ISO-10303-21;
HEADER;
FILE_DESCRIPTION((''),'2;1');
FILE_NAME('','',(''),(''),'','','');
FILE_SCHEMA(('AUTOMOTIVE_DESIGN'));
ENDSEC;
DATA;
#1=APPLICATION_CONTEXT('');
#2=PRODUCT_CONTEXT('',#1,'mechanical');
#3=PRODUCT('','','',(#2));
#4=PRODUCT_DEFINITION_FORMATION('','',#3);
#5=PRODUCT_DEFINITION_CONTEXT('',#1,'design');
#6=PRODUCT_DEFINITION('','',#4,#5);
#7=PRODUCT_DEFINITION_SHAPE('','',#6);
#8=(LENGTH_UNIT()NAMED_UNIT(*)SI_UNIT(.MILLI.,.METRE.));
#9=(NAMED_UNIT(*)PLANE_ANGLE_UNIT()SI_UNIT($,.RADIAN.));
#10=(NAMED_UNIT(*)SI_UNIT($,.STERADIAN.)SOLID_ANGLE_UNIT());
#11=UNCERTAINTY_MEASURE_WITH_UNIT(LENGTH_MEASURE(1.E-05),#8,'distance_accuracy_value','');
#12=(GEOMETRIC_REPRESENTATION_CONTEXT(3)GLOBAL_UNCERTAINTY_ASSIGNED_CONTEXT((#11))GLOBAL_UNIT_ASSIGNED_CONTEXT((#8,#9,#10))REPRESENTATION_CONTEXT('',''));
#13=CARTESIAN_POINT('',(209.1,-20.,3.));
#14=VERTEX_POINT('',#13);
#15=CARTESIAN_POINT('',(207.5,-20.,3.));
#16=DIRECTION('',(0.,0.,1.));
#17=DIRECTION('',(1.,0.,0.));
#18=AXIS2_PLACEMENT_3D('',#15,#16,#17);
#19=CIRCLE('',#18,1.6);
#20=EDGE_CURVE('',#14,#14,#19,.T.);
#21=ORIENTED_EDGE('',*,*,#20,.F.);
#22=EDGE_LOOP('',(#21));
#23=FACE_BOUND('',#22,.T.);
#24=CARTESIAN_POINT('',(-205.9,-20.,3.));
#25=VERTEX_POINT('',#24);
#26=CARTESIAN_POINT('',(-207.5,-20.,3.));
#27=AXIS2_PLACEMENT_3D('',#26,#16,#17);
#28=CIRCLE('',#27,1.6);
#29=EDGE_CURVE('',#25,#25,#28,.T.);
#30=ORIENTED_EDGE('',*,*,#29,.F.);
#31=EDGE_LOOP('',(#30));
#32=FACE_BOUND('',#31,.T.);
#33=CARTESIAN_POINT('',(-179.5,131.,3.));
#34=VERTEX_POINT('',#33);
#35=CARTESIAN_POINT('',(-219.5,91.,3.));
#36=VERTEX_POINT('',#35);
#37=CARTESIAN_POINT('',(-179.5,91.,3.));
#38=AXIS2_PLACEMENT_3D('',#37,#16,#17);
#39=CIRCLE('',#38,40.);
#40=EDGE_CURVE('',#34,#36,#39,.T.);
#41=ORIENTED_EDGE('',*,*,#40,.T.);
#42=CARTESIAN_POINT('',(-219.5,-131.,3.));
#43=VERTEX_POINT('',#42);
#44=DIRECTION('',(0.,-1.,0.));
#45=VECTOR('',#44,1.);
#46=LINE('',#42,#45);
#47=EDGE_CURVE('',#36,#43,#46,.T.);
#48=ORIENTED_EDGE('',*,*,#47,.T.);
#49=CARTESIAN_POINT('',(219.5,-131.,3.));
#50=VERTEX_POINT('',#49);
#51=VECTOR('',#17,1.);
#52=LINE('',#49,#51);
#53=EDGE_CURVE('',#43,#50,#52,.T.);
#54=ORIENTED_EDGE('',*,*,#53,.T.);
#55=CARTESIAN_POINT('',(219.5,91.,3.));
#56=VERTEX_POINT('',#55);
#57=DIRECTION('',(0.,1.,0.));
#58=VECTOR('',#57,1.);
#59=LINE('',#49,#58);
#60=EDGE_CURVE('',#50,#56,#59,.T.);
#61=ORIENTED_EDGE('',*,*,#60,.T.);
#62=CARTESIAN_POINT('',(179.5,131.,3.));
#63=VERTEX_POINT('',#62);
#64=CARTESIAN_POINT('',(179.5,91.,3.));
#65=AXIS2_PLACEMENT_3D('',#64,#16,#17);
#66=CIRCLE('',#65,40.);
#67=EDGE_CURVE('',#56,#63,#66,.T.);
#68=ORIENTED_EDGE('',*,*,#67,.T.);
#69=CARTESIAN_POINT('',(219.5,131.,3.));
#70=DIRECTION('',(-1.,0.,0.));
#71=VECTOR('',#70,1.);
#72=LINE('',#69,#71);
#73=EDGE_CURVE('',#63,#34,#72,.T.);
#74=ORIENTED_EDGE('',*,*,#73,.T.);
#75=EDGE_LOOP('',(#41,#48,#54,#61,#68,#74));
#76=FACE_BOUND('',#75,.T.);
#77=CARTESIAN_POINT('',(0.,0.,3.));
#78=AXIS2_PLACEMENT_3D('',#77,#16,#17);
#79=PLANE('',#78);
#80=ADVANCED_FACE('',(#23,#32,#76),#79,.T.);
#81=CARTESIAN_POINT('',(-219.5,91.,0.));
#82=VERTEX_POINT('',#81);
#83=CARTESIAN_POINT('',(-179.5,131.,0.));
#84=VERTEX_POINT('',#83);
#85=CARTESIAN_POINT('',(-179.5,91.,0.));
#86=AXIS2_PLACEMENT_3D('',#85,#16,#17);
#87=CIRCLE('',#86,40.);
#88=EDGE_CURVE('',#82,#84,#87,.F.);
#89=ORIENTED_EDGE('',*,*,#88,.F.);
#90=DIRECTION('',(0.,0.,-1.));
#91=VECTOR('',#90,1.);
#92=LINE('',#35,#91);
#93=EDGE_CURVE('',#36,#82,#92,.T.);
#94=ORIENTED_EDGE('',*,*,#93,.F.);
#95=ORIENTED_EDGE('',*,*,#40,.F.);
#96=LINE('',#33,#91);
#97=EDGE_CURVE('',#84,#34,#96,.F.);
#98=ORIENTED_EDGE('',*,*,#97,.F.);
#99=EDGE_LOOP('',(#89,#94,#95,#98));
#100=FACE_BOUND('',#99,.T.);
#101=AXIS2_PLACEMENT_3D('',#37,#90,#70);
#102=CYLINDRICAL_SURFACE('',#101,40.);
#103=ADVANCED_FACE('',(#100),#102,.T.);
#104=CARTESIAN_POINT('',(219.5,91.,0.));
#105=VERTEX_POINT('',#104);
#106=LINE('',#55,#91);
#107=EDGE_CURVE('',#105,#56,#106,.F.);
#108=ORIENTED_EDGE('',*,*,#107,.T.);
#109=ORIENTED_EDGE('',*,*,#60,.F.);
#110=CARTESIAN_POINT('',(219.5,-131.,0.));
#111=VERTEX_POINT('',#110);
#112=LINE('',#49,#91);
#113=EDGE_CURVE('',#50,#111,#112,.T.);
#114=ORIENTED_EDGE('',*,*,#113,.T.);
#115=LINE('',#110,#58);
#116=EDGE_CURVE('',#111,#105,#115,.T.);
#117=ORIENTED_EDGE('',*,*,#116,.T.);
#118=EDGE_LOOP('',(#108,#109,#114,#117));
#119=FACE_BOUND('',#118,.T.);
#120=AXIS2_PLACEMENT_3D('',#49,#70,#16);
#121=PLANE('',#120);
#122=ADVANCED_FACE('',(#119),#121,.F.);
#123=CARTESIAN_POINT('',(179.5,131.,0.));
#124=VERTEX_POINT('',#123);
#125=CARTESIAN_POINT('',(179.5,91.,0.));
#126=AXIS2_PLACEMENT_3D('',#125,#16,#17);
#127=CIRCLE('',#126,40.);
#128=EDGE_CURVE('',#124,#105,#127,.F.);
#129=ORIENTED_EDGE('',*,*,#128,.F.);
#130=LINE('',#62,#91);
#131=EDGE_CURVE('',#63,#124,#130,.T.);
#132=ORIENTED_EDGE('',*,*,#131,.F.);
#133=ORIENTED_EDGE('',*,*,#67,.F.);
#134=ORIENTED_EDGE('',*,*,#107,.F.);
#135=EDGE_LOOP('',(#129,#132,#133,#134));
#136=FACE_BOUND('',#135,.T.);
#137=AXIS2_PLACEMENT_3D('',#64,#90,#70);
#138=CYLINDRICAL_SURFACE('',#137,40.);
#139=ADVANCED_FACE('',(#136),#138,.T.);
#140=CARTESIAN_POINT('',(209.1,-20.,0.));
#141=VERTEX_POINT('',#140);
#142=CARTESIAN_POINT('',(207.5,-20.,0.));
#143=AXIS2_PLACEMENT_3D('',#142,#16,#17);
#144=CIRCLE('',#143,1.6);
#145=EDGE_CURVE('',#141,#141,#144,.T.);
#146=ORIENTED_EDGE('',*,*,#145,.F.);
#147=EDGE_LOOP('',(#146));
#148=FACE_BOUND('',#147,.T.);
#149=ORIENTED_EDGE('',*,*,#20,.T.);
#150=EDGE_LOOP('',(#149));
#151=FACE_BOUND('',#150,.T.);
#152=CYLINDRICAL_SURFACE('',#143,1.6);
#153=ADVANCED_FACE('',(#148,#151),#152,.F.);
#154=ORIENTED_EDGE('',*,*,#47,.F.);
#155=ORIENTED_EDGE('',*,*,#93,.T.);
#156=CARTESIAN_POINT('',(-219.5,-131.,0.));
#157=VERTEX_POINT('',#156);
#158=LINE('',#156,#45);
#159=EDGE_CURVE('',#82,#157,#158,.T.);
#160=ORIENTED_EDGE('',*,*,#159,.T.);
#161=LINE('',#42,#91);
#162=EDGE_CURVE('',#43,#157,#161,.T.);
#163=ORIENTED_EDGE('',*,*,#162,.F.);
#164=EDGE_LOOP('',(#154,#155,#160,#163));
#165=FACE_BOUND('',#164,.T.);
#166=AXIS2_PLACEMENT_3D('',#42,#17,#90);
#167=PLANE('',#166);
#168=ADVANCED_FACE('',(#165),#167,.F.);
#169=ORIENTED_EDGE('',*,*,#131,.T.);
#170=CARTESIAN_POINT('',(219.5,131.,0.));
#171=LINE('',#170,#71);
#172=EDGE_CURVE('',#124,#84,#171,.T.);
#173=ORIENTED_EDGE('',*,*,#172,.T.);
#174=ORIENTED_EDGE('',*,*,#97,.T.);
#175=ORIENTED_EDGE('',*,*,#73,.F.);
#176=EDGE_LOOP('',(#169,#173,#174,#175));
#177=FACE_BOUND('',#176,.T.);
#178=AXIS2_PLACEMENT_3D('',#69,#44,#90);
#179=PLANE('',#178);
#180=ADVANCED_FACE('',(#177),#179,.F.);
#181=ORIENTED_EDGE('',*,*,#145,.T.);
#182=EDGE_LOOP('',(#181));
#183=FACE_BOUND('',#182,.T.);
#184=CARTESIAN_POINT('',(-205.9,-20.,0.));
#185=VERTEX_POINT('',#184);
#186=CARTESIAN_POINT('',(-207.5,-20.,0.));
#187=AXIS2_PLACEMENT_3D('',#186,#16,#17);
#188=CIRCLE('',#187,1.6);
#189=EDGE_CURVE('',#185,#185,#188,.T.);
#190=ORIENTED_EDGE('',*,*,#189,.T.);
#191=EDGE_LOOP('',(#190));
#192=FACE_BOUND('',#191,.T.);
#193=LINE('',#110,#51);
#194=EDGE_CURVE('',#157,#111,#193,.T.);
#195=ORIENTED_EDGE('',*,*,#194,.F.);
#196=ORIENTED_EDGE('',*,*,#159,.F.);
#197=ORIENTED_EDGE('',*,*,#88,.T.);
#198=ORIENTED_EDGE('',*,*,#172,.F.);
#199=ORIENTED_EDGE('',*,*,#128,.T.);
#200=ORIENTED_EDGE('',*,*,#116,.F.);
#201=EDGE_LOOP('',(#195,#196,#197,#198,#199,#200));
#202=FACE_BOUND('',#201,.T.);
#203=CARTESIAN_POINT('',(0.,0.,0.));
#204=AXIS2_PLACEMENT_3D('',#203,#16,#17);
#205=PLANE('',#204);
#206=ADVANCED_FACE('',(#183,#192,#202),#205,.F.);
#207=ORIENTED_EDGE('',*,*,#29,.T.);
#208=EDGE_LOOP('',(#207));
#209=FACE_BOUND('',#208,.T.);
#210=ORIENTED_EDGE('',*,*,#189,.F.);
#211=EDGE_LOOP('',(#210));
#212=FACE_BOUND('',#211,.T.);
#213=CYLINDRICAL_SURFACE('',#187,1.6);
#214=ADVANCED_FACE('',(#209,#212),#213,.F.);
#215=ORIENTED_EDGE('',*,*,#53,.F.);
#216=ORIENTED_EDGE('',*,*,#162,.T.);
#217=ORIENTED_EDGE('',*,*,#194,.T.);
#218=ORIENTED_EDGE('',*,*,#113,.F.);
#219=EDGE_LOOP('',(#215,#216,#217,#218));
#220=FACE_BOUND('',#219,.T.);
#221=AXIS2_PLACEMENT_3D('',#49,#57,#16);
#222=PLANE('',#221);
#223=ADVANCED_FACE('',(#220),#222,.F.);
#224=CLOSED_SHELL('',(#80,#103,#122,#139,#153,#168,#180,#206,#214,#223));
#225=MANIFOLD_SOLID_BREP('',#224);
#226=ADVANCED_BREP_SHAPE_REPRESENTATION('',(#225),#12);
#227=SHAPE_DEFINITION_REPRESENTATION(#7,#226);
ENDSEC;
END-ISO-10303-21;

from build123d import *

# Parameters (mm, degrees)
ESQUISSE1_W        = 439
ESQUISSE1_H        = 262
BOSS_EXTRU_1_DEPTH = 3
FILLET1_R          = 40
SKETCH1_R          = 1.6
CUT_EXTRUDE1_DEPTH = 256.636949598
SKETCH2_R          = 1.6
CUT_EXTRUDE2_DEPTH = 256.636949598


with BuildPart() as part:
    # Esquisse1 → Boss.-Extru.1 (new body)
    with BuildSketch(Plane.XY):
        Rectangle(ESQUISSE1_W, ESQUISSE1_H)
    extrude(amount=BOSS_EXTRU_1_DEPTH)

    # Fillet1
    fillet1_edges = [part.edges().sort_by_distance(p)[0] for p in [
        (-219.5, 131, 1.5),
        (219.5, 131, 1.5),
    ]]
    fillet(fillet1_edges, radius=FILLET1_R)

    # Sketch1 → Cut-Extrude1 (cut, through all)
    with BuildSketch(Plane.XY.offset(3)):
        with Locations((-207.5, -20)):
            Circle(SKETCH1_R)
    extrude(amount=-CUT_EXTRUDE1_DEPTH, mode=Mode.SUBTRACT)

    # Sketch2 → Cut-Extrude2 (cut, through all)
    with BuildSketch(Plane.XY.offset(3)):
        with Locations((207.5, -20)):
            Circle(SKETCH2_R)
    extrude(amount=-CUT_EXTRUDE2_DEPTH, mode=Mode.SUBTRACT)


solid = part.part
